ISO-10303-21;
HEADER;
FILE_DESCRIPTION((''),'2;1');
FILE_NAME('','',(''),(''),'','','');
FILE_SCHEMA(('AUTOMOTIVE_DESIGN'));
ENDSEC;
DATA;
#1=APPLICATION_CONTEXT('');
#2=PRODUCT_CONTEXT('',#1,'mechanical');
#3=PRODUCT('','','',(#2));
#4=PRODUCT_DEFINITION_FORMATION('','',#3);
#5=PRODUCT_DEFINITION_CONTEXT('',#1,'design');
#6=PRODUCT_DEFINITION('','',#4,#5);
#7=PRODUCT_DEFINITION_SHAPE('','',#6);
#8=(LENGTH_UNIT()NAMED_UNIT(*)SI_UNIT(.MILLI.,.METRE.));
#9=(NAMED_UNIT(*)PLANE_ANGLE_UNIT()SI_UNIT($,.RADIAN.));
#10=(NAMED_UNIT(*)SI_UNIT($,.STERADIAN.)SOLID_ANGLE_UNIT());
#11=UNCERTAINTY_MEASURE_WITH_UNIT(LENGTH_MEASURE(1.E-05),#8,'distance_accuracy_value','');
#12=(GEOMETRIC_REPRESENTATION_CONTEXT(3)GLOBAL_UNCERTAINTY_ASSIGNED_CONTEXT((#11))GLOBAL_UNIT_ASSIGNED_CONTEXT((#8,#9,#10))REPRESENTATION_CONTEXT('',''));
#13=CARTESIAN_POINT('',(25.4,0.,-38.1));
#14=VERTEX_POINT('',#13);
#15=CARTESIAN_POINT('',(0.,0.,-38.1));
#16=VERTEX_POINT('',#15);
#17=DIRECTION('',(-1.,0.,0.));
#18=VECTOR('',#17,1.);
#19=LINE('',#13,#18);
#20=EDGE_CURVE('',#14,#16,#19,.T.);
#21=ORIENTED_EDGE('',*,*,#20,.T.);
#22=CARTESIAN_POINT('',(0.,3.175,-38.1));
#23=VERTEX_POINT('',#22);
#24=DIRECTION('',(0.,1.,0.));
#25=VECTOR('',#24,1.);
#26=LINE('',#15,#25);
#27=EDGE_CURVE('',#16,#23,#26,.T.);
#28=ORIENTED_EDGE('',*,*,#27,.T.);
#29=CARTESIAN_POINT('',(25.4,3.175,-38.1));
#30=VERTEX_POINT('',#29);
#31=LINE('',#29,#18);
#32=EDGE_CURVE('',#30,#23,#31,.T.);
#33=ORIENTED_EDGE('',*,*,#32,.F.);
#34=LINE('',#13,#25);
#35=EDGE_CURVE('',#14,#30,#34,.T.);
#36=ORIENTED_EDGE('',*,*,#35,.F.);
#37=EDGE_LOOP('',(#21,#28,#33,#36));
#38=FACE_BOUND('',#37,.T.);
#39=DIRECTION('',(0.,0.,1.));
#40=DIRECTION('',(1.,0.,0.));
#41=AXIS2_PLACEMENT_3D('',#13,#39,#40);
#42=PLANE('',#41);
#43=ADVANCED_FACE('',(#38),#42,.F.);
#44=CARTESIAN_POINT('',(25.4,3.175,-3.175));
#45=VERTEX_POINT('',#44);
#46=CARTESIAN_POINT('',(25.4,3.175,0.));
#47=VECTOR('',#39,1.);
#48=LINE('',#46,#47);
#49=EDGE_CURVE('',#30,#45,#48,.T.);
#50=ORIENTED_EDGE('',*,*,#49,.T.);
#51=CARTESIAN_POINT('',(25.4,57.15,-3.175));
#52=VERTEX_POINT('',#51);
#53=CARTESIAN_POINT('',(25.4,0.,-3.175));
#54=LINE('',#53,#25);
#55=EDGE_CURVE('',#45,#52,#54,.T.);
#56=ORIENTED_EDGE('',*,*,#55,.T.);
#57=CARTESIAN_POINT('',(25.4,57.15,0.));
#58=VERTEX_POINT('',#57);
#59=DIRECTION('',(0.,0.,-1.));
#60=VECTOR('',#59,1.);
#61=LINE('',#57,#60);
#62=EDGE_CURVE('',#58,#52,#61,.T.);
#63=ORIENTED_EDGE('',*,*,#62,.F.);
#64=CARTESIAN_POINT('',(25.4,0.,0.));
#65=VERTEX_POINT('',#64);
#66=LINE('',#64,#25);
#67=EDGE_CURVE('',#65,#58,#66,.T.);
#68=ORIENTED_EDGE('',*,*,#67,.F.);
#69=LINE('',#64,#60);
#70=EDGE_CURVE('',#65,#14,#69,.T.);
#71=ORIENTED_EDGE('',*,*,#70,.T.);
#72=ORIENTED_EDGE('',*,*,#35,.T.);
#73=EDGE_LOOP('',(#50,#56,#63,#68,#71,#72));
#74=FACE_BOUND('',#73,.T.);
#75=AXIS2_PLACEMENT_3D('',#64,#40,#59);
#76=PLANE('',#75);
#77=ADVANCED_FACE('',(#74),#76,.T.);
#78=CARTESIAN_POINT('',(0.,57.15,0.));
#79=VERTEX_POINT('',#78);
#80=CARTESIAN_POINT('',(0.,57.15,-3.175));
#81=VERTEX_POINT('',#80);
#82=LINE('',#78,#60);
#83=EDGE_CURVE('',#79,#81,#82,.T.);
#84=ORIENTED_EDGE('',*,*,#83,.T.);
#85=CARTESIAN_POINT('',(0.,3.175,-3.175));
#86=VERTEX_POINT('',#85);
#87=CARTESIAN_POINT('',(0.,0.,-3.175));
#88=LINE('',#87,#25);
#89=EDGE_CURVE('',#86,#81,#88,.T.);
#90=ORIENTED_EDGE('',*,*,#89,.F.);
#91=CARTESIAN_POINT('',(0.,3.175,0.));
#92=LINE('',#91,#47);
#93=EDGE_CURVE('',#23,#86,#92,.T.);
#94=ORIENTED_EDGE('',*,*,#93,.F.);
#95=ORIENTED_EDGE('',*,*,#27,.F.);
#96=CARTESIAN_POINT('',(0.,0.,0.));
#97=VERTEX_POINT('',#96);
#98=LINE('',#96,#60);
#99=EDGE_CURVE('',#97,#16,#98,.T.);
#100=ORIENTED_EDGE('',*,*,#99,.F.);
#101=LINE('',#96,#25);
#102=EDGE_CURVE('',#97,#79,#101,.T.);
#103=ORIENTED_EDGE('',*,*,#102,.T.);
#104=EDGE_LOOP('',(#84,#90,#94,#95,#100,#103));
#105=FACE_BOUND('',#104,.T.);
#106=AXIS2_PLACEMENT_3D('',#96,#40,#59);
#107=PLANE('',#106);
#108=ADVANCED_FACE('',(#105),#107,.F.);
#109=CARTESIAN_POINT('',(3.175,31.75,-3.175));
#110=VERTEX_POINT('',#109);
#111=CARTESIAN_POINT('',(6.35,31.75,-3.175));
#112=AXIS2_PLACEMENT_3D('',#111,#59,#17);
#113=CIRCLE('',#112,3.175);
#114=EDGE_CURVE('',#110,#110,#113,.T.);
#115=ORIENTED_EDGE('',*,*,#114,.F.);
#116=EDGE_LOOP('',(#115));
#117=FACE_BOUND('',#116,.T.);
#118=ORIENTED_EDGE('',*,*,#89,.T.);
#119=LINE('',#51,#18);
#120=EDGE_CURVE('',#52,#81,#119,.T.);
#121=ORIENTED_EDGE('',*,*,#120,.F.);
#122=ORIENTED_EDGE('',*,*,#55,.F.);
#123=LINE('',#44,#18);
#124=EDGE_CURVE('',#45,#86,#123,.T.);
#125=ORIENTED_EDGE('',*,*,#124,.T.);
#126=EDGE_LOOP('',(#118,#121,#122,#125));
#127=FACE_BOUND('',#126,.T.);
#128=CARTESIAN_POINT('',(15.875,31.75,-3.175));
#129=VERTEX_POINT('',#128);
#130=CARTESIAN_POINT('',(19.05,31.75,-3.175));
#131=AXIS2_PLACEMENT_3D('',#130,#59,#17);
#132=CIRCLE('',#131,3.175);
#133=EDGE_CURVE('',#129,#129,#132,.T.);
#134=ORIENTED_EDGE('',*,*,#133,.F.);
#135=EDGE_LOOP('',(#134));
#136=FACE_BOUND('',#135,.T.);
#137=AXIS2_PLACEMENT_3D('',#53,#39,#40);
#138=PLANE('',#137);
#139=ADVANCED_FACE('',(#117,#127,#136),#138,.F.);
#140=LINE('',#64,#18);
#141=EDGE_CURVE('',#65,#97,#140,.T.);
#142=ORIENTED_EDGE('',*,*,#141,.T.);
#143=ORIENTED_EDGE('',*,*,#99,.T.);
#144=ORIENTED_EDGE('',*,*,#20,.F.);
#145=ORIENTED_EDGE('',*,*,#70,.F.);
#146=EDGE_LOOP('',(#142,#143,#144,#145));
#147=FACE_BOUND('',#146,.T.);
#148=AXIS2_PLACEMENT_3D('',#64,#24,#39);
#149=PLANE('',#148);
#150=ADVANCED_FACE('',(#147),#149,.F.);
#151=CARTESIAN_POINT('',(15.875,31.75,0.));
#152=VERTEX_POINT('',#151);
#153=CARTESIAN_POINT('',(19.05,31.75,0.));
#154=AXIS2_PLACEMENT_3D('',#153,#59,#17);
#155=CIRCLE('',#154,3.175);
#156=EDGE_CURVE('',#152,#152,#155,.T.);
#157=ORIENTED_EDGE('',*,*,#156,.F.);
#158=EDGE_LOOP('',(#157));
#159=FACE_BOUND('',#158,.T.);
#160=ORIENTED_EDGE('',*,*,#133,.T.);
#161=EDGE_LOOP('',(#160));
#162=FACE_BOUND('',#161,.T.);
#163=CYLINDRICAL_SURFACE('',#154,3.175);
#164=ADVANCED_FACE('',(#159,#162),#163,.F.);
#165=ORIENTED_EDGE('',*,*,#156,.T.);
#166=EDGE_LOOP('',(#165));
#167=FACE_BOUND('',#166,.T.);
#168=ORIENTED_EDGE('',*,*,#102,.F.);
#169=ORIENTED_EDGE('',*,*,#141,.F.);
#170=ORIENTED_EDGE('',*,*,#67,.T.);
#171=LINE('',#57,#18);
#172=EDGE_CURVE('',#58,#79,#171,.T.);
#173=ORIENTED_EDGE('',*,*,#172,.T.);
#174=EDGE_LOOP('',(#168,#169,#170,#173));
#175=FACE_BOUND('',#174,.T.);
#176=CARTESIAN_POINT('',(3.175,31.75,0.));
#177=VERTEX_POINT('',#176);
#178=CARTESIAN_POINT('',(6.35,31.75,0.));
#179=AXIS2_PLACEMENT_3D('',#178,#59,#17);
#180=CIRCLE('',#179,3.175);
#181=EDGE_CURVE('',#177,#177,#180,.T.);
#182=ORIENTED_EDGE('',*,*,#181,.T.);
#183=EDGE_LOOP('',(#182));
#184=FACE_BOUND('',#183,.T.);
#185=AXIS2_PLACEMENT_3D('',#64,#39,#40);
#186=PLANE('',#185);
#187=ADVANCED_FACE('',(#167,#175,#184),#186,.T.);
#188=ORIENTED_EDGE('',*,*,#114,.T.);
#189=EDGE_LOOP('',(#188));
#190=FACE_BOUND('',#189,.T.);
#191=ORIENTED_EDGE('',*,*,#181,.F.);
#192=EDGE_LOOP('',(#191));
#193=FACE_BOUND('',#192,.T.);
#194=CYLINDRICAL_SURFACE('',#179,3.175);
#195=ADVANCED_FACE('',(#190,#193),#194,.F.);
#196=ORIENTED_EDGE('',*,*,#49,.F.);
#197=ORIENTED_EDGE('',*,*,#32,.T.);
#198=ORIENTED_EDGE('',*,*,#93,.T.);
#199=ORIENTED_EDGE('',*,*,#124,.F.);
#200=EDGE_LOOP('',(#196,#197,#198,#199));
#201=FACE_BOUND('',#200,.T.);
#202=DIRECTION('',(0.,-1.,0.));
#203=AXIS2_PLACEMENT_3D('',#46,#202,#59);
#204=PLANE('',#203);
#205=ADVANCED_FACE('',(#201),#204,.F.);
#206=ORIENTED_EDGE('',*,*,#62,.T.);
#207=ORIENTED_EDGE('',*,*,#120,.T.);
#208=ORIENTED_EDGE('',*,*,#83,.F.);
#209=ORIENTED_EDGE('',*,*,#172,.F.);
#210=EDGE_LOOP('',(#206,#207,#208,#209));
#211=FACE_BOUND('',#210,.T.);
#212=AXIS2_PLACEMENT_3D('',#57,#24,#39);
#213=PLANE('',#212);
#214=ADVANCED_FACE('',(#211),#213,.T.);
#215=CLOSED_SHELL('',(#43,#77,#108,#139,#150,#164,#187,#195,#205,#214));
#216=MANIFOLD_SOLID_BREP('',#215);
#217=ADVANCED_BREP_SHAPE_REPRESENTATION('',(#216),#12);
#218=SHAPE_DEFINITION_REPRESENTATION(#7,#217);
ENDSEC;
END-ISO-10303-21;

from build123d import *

# Parameters (mm, degrees)
BOSS_EXTRUDE1_DEPTH = 25.4
SKETCH2_R           = 3.175
CUT_EXTRUDE1_DEPTH  = 72.631264997


with BuildPart() as part:
    # Sketch1 → Boss-Extrude1 (new body)
    with BuildSketch(Plane(origin=(0, 0, 0), x_dir=(0, 0, -1), z_dir=(1, 0, 0))):
        Polygon((38.1, 0), (38.1, 3.175), (3.175, 3.175), (3.175, 57.15), (0, 57.15), (0, 0), align=None)
    extrude(amount=BOSS_EXTRUDE1_DEPTH)

    # Sketch2 → Cut-Extrude1 (cut, through all)
    with BuildSketch(Plane(origin=(0, 0, -3.175), x_dir=(-1, 0, 0), z_dir=(0, 0, -1))):
        with Locations((-19.05, 31.75)):
            Circle(SKETCH2_R)
        with Locations((-6.35, 31.75)):
            Circle(SKETCH2_R)
    extrude(amount=-CUT_EXTRUDE1_DEPTH, mode=Mode.SUBTRACT)


solid = part.part
